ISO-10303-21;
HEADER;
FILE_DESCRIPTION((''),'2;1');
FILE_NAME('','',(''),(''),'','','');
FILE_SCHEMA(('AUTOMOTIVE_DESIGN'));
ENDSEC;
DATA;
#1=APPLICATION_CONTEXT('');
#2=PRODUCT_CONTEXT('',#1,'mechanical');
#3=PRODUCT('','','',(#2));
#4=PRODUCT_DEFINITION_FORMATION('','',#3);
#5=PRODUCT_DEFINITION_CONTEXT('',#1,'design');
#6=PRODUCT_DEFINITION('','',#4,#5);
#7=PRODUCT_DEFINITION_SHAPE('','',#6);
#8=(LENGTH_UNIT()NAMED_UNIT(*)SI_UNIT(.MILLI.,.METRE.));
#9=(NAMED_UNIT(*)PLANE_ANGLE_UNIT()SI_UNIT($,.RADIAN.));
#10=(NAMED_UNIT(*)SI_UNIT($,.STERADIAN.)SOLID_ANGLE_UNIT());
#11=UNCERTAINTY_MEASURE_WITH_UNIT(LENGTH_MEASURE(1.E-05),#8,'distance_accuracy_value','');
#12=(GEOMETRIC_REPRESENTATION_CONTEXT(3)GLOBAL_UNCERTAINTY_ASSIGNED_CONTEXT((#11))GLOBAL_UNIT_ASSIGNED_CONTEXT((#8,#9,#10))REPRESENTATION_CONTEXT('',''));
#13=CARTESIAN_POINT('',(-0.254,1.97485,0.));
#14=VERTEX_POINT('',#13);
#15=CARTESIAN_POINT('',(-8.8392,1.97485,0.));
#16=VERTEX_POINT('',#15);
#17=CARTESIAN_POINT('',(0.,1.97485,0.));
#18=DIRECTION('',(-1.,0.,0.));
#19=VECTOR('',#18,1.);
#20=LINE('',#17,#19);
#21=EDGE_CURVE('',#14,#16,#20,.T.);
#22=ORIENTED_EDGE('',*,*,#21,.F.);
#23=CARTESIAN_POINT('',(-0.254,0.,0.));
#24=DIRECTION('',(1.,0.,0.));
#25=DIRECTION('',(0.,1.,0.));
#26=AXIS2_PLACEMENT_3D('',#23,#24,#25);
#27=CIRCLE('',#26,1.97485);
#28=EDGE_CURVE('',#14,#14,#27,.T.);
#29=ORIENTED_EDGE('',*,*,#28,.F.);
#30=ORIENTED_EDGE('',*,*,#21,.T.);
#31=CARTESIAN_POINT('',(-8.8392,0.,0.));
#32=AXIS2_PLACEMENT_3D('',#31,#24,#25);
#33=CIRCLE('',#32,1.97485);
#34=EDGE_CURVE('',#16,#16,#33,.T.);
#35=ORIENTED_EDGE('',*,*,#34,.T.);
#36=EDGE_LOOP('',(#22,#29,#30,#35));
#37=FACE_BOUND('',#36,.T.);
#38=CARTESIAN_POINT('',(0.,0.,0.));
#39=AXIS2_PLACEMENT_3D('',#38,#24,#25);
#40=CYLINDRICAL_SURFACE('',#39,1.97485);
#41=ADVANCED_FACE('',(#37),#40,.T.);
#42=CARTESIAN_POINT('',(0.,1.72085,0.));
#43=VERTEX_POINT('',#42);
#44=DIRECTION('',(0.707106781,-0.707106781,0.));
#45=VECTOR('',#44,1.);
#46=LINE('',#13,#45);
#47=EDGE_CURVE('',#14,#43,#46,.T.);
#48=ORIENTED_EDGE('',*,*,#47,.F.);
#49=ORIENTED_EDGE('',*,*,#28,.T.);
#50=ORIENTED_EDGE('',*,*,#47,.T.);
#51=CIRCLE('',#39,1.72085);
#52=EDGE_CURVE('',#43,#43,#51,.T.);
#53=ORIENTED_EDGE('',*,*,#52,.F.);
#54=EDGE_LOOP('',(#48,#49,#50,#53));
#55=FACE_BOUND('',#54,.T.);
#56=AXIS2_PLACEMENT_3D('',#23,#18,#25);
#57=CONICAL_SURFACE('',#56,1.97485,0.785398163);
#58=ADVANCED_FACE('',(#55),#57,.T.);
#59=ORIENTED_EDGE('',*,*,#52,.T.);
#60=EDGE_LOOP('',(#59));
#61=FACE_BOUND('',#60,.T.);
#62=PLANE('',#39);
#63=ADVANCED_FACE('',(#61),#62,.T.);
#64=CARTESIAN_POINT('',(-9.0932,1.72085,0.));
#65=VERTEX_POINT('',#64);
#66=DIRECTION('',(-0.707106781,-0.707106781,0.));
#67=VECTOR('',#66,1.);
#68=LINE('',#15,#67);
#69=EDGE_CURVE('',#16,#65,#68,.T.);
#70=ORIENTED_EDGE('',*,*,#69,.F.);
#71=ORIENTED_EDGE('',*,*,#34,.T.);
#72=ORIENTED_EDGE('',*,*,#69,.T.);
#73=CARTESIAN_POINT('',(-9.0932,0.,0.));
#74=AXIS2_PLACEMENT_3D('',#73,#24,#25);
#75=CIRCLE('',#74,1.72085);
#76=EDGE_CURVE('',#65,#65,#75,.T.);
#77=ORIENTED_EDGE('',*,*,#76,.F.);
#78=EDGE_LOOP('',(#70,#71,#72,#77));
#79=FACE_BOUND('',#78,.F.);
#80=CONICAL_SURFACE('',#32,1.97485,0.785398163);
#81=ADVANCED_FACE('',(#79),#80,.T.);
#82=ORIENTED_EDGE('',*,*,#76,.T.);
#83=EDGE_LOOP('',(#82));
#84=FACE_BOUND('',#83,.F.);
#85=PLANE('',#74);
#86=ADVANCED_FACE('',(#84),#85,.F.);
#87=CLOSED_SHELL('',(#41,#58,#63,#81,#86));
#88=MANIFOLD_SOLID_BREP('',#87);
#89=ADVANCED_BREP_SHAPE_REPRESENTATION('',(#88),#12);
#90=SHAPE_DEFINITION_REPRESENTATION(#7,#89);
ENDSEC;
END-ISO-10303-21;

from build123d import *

# Parameters (mm, degrees)
F0_R     = 1.97485
F1_DEPTH = 9.0932
F2_SIZE2 = 0.254
F2_SIZE  = 0.254
F3_SIZE2 = 0.254
F3_SIZE  = 0.254


with BuildPart() as f1:
    # F0 (on Right) → F1 (new body)
    with BuildSketch(Plane.YZ):
        Circle(F0_R)
    extrude(amount=-F1_DEPTH)

    # F2
    f2_edges = [f1.edges().sort_by_distance(p)[0] for p in [
        (0, -1.97485, 0),
    ]]
    chamfer(f2_edges, length=F2_SIZE, length2=F2_SIZE2)

    # F3
    f3_edges = [f1.edges().sort_by_distance(p)[0] for p in [
        (-9.0932, -1.97485, 0),
    ]]
    chamfer(f3_edges, length=F3_SIZE, length2=F3_SIZE2)


solid = f1.part
